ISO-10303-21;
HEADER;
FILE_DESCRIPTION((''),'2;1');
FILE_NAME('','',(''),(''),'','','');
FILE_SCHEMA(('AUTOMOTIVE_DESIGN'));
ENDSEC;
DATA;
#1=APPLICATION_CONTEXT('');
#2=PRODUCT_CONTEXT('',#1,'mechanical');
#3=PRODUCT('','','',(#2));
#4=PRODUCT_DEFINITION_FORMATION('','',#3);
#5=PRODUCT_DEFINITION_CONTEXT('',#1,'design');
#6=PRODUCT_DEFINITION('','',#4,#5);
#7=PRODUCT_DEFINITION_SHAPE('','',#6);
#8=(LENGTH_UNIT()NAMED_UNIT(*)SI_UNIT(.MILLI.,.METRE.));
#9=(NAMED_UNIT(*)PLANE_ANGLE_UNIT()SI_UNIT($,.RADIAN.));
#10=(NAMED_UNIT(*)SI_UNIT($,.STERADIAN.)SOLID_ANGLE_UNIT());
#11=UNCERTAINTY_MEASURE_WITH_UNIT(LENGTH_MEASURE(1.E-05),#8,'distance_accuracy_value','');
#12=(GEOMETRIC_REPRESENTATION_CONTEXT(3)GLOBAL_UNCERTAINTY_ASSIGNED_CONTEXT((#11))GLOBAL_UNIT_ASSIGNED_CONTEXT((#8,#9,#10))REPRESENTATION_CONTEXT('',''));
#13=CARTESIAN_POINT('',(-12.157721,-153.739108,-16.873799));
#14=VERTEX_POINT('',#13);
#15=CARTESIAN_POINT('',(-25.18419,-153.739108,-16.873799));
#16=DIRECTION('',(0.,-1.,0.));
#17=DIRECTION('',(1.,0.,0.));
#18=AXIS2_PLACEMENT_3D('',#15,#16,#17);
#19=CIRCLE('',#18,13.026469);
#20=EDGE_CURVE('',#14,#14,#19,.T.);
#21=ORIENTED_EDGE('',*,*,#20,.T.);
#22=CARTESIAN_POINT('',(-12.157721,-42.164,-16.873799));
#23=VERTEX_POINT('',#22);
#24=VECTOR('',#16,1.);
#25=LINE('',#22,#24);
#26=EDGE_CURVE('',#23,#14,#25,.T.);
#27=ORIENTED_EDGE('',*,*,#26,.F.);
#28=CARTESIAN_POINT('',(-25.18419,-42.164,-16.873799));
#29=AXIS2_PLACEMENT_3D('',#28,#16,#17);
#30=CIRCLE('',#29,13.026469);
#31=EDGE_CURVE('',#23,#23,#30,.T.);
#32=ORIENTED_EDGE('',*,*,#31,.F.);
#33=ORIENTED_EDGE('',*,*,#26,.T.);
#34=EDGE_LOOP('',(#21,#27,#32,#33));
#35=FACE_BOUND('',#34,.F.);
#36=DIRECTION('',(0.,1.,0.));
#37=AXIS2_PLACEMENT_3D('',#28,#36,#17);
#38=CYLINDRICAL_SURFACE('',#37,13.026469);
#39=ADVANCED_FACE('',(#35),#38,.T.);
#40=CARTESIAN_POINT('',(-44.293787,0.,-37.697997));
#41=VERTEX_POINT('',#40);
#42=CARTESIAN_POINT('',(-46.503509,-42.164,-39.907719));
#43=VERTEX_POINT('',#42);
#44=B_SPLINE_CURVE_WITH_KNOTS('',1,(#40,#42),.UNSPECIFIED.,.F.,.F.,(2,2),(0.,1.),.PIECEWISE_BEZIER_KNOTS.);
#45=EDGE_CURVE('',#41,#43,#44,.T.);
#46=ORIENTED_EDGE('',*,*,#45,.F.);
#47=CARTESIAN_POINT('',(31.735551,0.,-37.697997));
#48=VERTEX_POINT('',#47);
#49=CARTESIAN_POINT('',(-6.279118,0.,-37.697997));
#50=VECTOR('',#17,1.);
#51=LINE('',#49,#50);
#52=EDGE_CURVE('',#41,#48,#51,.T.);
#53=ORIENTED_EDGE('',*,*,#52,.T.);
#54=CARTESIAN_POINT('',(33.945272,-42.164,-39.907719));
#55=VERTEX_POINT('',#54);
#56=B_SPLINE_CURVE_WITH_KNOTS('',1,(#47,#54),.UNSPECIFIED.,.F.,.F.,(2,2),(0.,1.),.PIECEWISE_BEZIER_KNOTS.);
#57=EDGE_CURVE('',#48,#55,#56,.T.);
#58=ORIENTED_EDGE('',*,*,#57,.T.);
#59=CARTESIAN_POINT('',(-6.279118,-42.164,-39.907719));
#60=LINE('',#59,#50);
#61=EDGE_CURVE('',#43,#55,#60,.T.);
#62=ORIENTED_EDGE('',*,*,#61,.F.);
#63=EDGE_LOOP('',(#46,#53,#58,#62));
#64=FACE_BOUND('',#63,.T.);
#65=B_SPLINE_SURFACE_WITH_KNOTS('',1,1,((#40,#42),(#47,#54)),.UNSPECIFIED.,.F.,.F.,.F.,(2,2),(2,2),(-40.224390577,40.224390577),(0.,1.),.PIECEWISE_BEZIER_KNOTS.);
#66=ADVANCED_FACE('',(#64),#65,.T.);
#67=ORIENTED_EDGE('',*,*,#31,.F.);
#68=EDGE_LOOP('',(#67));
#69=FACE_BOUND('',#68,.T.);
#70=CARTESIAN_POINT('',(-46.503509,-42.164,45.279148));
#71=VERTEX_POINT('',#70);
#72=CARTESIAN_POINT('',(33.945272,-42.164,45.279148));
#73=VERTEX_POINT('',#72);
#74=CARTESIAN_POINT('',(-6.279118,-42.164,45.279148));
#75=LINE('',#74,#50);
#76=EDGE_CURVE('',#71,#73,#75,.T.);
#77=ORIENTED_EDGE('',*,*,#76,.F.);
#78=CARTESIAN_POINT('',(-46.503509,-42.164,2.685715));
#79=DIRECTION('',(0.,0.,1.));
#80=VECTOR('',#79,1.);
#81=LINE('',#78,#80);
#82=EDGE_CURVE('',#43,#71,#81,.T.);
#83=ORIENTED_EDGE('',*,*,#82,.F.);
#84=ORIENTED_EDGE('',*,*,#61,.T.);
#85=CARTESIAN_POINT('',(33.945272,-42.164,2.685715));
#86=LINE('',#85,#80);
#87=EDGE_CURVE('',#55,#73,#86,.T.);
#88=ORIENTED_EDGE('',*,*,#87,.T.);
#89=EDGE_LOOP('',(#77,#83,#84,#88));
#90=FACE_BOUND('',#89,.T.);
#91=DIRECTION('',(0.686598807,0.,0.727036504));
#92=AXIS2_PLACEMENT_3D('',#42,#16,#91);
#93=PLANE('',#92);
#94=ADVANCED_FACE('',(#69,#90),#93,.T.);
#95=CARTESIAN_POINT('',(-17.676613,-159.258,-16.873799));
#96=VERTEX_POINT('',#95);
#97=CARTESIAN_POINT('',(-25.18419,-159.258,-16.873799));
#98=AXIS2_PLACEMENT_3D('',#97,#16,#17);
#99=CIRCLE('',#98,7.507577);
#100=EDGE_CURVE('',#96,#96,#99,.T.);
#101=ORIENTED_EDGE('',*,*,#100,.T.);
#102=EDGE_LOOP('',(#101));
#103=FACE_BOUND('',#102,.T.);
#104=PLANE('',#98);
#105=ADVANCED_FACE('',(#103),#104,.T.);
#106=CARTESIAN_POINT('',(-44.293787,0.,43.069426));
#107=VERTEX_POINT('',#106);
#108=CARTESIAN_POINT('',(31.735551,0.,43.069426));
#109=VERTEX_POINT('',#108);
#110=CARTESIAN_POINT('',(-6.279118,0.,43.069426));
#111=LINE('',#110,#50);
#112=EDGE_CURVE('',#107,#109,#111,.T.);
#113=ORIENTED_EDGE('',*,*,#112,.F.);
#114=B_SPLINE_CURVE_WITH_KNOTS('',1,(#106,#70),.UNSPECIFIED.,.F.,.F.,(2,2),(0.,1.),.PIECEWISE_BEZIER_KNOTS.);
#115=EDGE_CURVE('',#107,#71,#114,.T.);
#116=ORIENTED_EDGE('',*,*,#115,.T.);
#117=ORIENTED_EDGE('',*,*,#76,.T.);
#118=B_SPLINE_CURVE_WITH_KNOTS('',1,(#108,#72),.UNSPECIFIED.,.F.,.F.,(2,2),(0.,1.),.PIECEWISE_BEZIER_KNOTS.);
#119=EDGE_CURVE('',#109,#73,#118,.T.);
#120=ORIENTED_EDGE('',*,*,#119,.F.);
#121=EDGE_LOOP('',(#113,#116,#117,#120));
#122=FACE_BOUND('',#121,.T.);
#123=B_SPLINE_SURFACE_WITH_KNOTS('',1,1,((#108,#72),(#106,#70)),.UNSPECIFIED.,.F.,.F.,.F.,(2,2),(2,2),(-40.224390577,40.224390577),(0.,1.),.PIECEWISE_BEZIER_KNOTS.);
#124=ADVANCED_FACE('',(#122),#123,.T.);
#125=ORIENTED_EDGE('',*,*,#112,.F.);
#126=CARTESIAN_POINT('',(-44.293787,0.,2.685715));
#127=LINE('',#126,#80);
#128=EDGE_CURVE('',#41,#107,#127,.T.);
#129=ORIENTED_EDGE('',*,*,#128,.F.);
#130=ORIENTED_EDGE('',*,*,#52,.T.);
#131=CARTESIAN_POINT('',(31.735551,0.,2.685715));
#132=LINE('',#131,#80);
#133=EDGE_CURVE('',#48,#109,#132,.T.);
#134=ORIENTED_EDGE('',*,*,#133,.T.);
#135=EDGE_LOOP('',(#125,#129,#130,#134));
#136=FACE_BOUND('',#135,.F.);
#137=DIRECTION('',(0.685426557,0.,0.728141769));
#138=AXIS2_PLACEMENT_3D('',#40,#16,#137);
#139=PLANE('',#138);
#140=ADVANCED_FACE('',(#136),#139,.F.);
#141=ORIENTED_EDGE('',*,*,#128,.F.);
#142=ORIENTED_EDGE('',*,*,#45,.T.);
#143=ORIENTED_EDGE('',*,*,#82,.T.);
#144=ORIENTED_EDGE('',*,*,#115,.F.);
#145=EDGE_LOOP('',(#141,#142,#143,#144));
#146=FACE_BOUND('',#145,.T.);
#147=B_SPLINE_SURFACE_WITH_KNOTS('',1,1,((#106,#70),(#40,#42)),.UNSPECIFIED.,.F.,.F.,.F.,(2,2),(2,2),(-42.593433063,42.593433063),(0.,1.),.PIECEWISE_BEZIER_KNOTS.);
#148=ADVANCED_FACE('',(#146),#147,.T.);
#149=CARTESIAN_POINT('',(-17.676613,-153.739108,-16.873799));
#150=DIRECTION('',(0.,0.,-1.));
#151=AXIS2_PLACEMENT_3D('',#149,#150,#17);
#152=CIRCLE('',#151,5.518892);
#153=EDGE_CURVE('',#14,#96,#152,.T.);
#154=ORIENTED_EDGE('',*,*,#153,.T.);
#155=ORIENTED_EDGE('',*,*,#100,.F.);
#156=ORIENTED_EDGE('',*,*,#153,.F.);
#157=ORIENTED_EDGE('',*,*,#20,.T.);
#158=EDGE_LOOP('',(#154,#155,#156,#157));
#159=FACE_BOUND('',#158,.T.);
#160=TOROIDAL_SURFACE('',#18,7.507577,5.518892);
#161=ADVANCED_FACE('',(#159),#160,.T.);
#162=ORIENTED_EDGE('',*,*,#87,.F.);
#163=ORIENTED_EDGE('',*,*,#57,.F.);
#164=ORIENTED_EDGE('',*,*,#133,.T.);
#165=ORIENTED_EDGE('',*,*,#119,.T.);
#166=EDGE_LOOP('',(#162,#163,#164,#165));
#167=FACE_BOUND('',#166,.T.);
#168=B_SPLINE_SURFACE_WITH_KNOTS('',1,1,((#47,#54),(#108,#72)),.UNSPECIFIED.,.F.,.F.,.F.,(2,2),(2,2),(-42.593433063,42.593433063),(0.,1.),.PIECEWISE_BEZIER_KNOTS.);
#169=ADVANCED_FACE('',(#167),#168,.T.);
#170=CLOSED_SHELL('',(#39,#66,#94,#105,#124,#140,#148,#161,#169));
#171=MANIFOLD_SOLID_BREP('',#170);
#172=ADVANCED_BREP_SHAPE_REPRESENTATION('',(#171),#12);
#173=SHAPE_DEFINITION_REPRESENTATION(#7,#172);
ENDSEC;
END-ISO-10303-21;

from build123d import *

# Parameters (mm, degrees)
F0_W     = 76.0293379426
F0_H     = 80.7674229145
F1_DEPTH = 42.164
F1_TAPER = -3
F2_R     = 13.0264691776
F3_DEPTH = 117.094
F4_R     = 5.5188922036


with BuildPart() as f1:
    # F0 (on Front) → F1 (new body)
    with BuildSketch(Plane.XZ):
        with Locations((-6.2791183591, 2.6857145131)):
            Rectangle(F0_W, F0_H)
    extrude(amount=F1_DEPTH, taper=F1_TAPER)

    # F2 (on face) → F3 (join)
    with BuildSketch(Plane.XZ.offset(42.164)):
        with Locations((-25.1841899008, -16.8737992644)):
            Circle(F2_R)
    extrude(amount=F3_DEPTH)

    # F4
    f4_edges = [f1.edges().sort_by_distance(p)[0] for p in [
        (-38.210659, -159.258, -16.873799),
    ]]
    fillet(f4_edges, radius=F4_R)


solid = f1.part
